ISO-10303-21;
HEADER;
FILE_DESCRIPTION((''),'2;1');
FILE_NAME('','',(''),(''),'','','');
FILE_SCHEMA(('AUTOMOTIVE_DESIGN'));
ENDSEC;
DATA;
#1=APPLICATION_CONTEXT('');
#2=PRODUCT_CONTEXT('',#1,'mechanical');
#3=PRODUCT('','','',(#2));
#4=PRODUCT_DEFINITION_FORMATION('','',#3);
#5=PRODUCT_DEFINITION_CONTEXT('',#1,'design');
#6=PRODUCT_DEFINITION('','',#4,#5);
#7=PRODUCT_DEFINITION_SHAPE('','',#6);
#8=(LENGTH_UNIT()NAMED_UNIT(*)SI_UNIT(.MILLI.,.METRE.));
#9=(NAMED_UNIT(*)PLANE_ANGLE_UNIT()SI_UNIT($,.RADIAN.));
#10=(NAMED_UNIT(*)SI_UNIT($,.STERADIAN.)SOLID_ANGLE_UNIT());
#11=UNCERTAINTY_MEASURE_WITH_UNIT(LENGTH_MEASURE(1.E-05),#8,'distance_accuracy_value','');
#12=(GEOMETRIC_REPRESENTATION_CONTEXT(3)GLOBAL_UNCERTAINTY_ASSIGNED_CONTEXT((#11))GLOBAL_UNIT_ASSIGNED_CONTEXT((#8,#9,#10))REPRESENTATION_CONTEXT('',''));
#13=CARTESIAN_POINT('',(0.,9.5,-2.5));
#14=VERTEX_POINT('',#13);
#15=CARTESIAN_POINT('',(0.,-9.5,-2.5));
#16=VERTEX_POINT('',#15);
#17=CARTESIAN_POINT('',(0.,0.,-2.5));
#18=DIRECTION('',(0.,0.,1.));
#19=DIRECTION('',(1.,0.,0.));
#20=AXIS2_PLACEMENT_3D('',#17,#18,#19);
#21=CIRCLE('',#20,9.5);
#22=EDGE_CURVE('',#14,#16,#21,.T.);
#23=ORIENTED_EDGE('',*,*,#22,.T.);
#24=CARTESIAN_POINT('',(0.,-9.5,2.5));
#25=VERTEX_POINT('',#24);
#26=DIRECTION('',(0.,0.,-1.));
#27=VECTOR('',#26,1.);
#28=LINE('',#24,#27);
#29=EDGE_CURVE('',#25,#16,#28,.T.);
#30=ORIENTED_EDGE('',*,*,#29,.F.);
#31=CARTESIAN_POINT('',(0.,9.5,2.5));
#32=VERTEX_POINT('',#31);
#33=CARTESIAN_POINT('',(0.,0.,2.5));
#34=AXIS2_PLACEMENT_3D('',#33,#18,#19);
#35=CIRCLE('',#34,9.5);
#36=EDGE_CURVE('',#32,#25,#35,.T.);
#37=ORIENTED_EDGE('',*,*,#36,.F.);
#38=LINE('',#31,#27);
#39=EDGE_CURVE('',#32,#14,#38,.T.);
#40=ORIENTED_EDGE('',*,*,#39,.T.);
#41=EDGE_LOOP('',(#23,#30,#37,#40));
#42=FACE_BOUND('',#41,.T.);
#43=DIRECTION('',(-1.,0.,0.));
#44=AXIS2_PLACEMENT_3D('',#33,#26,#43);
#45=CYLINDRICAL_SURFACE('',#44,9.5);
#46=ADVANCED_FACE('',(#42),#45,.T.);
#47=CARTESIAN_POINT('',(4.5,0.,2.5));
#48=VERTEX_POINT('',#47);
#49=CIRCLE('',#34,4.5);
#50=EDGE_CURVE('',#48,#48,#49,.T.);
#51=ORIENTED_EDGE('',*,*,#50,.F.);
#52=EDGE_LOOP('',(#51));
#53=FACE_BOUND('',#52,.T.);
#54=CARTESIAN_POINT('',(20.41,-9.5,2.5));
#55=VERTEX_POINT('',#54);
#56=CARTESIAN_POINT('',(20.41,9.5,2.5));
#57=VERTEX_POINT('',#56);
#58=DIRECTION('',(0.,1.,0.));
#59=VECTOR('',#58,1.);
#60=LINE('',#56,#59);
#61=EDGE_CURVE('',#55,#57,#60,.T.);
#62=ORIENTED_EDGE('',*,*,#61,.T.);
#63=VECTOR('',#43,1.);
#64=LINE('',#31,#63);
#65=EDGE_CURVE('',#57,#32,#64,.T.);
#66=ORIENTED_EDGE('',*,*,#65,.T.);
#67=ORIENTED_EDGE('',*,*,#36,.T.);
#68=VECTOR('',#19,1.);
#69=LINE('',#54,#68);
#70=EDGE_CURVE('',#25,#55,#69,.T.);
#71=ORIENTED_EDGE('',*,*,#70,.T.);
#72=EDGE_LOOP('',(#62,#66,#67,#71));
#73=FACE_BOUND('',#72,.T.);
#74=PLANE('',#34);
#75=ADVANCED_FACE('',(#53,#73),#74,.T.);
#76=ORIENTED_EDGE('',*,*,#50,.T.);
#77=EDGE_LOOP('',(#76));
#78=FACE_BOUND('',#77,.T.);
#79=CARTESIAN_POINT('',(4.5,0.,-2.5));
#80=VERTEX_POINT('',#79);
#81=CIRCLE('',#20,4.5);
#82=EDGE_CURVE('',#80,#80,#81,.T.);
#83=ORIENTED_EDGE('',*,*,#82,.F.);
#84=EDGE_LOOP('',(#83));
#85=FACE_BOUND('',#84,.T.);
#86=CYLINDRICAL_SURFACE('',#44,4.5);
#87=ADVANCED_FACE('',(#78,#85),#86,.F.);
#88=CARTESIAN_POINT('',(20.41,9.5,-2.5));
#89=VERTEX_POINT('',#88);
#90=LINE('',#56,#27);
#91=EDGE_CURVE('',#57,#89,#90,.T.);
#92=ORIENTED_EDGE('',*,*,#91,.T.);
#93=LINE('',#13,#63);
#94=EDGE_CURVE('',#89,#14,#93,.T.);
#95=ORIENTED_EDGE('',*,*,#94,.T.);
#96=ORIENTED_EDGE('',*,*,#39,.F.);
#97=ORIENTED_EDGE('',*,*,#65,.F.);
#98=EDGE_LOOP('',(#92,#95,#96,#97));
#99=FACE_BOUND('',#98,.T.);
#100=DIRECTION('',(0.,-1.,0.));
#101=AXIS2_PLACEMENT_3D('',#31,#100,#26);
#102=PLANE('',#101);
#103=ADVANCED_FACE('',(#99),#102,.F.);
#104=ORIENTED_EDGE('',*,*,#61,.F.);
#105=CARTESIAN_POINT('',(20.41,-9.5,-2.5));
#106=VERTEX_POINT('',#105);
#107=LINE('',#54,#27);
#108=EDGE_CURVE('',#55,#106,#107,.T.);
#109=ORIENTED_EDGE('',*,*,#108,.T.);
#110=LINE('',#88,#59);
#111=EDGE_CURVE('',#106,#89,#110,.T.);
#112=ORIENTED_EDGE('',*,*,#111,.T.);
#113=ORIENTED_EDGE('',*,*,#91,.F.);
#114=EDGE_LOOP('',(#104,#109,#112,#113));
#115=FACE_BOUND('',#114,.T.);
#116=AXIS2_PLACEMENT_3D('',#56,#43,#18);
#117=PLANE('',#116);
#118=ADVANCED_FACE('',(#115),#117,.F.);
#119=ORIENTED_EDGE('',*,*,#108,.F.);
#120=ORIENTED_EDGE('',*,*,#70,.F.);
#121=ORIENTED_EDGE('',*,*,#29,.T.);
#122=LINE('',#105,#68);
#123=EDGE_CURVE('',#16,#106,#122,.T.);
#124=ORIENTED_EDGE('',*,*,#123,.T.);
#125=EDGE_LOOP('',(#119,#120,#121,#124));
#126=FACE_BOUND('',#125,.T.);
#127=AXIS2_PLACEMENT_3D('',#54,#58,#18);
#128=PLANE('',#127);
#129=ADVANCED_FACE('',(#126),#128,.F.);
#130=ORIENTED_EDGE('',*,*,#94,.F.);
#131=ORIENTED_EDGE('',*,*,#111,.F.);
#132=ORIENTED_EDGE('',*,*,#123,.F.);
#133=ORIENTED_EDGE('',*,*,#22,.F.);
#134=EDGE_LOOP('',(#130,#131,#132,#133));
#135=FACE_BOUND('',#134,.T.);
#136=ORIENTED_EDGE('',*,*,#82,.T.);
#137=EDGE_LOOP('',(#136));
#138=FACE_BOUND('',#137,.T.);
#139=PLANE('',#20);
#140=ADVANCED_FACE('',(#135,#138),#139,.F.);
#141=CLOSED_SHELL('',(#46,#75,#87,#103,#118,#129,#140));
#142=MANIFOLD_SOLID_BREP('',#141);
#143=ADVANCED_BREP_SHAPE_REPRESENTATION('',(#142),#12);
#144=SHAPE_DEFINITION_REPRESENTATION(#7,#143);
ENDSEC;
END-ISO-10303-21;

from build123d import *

# Parameters (mm, degrees)
SKETCH1_R           = 4.5
BOSS_EXTRUDE1_DEPTH = 2.5


with BuildPart() as part:
    # Sketch1 → Boss-Extrude1 (new, symmetric)
    with BuildSketch(Plane.XY):
        with BuildLine():
            Line((0, 9.5), (20.41, 9.5))
            Line((20.41, 9.5), (20.41, -9.5))
            Line((20.41, -9.5), (0, -9.5))
            ThreePointArc((0, -9.5), (-9.5, 0), (0, 9.5))
        make_face()
        Circle(SKETCH1_R, mode=Mode.SUBTRACT)
    extrude(amount=BOSS_EXTRUDE1_DEPTH, both=True)


solid = part.part
